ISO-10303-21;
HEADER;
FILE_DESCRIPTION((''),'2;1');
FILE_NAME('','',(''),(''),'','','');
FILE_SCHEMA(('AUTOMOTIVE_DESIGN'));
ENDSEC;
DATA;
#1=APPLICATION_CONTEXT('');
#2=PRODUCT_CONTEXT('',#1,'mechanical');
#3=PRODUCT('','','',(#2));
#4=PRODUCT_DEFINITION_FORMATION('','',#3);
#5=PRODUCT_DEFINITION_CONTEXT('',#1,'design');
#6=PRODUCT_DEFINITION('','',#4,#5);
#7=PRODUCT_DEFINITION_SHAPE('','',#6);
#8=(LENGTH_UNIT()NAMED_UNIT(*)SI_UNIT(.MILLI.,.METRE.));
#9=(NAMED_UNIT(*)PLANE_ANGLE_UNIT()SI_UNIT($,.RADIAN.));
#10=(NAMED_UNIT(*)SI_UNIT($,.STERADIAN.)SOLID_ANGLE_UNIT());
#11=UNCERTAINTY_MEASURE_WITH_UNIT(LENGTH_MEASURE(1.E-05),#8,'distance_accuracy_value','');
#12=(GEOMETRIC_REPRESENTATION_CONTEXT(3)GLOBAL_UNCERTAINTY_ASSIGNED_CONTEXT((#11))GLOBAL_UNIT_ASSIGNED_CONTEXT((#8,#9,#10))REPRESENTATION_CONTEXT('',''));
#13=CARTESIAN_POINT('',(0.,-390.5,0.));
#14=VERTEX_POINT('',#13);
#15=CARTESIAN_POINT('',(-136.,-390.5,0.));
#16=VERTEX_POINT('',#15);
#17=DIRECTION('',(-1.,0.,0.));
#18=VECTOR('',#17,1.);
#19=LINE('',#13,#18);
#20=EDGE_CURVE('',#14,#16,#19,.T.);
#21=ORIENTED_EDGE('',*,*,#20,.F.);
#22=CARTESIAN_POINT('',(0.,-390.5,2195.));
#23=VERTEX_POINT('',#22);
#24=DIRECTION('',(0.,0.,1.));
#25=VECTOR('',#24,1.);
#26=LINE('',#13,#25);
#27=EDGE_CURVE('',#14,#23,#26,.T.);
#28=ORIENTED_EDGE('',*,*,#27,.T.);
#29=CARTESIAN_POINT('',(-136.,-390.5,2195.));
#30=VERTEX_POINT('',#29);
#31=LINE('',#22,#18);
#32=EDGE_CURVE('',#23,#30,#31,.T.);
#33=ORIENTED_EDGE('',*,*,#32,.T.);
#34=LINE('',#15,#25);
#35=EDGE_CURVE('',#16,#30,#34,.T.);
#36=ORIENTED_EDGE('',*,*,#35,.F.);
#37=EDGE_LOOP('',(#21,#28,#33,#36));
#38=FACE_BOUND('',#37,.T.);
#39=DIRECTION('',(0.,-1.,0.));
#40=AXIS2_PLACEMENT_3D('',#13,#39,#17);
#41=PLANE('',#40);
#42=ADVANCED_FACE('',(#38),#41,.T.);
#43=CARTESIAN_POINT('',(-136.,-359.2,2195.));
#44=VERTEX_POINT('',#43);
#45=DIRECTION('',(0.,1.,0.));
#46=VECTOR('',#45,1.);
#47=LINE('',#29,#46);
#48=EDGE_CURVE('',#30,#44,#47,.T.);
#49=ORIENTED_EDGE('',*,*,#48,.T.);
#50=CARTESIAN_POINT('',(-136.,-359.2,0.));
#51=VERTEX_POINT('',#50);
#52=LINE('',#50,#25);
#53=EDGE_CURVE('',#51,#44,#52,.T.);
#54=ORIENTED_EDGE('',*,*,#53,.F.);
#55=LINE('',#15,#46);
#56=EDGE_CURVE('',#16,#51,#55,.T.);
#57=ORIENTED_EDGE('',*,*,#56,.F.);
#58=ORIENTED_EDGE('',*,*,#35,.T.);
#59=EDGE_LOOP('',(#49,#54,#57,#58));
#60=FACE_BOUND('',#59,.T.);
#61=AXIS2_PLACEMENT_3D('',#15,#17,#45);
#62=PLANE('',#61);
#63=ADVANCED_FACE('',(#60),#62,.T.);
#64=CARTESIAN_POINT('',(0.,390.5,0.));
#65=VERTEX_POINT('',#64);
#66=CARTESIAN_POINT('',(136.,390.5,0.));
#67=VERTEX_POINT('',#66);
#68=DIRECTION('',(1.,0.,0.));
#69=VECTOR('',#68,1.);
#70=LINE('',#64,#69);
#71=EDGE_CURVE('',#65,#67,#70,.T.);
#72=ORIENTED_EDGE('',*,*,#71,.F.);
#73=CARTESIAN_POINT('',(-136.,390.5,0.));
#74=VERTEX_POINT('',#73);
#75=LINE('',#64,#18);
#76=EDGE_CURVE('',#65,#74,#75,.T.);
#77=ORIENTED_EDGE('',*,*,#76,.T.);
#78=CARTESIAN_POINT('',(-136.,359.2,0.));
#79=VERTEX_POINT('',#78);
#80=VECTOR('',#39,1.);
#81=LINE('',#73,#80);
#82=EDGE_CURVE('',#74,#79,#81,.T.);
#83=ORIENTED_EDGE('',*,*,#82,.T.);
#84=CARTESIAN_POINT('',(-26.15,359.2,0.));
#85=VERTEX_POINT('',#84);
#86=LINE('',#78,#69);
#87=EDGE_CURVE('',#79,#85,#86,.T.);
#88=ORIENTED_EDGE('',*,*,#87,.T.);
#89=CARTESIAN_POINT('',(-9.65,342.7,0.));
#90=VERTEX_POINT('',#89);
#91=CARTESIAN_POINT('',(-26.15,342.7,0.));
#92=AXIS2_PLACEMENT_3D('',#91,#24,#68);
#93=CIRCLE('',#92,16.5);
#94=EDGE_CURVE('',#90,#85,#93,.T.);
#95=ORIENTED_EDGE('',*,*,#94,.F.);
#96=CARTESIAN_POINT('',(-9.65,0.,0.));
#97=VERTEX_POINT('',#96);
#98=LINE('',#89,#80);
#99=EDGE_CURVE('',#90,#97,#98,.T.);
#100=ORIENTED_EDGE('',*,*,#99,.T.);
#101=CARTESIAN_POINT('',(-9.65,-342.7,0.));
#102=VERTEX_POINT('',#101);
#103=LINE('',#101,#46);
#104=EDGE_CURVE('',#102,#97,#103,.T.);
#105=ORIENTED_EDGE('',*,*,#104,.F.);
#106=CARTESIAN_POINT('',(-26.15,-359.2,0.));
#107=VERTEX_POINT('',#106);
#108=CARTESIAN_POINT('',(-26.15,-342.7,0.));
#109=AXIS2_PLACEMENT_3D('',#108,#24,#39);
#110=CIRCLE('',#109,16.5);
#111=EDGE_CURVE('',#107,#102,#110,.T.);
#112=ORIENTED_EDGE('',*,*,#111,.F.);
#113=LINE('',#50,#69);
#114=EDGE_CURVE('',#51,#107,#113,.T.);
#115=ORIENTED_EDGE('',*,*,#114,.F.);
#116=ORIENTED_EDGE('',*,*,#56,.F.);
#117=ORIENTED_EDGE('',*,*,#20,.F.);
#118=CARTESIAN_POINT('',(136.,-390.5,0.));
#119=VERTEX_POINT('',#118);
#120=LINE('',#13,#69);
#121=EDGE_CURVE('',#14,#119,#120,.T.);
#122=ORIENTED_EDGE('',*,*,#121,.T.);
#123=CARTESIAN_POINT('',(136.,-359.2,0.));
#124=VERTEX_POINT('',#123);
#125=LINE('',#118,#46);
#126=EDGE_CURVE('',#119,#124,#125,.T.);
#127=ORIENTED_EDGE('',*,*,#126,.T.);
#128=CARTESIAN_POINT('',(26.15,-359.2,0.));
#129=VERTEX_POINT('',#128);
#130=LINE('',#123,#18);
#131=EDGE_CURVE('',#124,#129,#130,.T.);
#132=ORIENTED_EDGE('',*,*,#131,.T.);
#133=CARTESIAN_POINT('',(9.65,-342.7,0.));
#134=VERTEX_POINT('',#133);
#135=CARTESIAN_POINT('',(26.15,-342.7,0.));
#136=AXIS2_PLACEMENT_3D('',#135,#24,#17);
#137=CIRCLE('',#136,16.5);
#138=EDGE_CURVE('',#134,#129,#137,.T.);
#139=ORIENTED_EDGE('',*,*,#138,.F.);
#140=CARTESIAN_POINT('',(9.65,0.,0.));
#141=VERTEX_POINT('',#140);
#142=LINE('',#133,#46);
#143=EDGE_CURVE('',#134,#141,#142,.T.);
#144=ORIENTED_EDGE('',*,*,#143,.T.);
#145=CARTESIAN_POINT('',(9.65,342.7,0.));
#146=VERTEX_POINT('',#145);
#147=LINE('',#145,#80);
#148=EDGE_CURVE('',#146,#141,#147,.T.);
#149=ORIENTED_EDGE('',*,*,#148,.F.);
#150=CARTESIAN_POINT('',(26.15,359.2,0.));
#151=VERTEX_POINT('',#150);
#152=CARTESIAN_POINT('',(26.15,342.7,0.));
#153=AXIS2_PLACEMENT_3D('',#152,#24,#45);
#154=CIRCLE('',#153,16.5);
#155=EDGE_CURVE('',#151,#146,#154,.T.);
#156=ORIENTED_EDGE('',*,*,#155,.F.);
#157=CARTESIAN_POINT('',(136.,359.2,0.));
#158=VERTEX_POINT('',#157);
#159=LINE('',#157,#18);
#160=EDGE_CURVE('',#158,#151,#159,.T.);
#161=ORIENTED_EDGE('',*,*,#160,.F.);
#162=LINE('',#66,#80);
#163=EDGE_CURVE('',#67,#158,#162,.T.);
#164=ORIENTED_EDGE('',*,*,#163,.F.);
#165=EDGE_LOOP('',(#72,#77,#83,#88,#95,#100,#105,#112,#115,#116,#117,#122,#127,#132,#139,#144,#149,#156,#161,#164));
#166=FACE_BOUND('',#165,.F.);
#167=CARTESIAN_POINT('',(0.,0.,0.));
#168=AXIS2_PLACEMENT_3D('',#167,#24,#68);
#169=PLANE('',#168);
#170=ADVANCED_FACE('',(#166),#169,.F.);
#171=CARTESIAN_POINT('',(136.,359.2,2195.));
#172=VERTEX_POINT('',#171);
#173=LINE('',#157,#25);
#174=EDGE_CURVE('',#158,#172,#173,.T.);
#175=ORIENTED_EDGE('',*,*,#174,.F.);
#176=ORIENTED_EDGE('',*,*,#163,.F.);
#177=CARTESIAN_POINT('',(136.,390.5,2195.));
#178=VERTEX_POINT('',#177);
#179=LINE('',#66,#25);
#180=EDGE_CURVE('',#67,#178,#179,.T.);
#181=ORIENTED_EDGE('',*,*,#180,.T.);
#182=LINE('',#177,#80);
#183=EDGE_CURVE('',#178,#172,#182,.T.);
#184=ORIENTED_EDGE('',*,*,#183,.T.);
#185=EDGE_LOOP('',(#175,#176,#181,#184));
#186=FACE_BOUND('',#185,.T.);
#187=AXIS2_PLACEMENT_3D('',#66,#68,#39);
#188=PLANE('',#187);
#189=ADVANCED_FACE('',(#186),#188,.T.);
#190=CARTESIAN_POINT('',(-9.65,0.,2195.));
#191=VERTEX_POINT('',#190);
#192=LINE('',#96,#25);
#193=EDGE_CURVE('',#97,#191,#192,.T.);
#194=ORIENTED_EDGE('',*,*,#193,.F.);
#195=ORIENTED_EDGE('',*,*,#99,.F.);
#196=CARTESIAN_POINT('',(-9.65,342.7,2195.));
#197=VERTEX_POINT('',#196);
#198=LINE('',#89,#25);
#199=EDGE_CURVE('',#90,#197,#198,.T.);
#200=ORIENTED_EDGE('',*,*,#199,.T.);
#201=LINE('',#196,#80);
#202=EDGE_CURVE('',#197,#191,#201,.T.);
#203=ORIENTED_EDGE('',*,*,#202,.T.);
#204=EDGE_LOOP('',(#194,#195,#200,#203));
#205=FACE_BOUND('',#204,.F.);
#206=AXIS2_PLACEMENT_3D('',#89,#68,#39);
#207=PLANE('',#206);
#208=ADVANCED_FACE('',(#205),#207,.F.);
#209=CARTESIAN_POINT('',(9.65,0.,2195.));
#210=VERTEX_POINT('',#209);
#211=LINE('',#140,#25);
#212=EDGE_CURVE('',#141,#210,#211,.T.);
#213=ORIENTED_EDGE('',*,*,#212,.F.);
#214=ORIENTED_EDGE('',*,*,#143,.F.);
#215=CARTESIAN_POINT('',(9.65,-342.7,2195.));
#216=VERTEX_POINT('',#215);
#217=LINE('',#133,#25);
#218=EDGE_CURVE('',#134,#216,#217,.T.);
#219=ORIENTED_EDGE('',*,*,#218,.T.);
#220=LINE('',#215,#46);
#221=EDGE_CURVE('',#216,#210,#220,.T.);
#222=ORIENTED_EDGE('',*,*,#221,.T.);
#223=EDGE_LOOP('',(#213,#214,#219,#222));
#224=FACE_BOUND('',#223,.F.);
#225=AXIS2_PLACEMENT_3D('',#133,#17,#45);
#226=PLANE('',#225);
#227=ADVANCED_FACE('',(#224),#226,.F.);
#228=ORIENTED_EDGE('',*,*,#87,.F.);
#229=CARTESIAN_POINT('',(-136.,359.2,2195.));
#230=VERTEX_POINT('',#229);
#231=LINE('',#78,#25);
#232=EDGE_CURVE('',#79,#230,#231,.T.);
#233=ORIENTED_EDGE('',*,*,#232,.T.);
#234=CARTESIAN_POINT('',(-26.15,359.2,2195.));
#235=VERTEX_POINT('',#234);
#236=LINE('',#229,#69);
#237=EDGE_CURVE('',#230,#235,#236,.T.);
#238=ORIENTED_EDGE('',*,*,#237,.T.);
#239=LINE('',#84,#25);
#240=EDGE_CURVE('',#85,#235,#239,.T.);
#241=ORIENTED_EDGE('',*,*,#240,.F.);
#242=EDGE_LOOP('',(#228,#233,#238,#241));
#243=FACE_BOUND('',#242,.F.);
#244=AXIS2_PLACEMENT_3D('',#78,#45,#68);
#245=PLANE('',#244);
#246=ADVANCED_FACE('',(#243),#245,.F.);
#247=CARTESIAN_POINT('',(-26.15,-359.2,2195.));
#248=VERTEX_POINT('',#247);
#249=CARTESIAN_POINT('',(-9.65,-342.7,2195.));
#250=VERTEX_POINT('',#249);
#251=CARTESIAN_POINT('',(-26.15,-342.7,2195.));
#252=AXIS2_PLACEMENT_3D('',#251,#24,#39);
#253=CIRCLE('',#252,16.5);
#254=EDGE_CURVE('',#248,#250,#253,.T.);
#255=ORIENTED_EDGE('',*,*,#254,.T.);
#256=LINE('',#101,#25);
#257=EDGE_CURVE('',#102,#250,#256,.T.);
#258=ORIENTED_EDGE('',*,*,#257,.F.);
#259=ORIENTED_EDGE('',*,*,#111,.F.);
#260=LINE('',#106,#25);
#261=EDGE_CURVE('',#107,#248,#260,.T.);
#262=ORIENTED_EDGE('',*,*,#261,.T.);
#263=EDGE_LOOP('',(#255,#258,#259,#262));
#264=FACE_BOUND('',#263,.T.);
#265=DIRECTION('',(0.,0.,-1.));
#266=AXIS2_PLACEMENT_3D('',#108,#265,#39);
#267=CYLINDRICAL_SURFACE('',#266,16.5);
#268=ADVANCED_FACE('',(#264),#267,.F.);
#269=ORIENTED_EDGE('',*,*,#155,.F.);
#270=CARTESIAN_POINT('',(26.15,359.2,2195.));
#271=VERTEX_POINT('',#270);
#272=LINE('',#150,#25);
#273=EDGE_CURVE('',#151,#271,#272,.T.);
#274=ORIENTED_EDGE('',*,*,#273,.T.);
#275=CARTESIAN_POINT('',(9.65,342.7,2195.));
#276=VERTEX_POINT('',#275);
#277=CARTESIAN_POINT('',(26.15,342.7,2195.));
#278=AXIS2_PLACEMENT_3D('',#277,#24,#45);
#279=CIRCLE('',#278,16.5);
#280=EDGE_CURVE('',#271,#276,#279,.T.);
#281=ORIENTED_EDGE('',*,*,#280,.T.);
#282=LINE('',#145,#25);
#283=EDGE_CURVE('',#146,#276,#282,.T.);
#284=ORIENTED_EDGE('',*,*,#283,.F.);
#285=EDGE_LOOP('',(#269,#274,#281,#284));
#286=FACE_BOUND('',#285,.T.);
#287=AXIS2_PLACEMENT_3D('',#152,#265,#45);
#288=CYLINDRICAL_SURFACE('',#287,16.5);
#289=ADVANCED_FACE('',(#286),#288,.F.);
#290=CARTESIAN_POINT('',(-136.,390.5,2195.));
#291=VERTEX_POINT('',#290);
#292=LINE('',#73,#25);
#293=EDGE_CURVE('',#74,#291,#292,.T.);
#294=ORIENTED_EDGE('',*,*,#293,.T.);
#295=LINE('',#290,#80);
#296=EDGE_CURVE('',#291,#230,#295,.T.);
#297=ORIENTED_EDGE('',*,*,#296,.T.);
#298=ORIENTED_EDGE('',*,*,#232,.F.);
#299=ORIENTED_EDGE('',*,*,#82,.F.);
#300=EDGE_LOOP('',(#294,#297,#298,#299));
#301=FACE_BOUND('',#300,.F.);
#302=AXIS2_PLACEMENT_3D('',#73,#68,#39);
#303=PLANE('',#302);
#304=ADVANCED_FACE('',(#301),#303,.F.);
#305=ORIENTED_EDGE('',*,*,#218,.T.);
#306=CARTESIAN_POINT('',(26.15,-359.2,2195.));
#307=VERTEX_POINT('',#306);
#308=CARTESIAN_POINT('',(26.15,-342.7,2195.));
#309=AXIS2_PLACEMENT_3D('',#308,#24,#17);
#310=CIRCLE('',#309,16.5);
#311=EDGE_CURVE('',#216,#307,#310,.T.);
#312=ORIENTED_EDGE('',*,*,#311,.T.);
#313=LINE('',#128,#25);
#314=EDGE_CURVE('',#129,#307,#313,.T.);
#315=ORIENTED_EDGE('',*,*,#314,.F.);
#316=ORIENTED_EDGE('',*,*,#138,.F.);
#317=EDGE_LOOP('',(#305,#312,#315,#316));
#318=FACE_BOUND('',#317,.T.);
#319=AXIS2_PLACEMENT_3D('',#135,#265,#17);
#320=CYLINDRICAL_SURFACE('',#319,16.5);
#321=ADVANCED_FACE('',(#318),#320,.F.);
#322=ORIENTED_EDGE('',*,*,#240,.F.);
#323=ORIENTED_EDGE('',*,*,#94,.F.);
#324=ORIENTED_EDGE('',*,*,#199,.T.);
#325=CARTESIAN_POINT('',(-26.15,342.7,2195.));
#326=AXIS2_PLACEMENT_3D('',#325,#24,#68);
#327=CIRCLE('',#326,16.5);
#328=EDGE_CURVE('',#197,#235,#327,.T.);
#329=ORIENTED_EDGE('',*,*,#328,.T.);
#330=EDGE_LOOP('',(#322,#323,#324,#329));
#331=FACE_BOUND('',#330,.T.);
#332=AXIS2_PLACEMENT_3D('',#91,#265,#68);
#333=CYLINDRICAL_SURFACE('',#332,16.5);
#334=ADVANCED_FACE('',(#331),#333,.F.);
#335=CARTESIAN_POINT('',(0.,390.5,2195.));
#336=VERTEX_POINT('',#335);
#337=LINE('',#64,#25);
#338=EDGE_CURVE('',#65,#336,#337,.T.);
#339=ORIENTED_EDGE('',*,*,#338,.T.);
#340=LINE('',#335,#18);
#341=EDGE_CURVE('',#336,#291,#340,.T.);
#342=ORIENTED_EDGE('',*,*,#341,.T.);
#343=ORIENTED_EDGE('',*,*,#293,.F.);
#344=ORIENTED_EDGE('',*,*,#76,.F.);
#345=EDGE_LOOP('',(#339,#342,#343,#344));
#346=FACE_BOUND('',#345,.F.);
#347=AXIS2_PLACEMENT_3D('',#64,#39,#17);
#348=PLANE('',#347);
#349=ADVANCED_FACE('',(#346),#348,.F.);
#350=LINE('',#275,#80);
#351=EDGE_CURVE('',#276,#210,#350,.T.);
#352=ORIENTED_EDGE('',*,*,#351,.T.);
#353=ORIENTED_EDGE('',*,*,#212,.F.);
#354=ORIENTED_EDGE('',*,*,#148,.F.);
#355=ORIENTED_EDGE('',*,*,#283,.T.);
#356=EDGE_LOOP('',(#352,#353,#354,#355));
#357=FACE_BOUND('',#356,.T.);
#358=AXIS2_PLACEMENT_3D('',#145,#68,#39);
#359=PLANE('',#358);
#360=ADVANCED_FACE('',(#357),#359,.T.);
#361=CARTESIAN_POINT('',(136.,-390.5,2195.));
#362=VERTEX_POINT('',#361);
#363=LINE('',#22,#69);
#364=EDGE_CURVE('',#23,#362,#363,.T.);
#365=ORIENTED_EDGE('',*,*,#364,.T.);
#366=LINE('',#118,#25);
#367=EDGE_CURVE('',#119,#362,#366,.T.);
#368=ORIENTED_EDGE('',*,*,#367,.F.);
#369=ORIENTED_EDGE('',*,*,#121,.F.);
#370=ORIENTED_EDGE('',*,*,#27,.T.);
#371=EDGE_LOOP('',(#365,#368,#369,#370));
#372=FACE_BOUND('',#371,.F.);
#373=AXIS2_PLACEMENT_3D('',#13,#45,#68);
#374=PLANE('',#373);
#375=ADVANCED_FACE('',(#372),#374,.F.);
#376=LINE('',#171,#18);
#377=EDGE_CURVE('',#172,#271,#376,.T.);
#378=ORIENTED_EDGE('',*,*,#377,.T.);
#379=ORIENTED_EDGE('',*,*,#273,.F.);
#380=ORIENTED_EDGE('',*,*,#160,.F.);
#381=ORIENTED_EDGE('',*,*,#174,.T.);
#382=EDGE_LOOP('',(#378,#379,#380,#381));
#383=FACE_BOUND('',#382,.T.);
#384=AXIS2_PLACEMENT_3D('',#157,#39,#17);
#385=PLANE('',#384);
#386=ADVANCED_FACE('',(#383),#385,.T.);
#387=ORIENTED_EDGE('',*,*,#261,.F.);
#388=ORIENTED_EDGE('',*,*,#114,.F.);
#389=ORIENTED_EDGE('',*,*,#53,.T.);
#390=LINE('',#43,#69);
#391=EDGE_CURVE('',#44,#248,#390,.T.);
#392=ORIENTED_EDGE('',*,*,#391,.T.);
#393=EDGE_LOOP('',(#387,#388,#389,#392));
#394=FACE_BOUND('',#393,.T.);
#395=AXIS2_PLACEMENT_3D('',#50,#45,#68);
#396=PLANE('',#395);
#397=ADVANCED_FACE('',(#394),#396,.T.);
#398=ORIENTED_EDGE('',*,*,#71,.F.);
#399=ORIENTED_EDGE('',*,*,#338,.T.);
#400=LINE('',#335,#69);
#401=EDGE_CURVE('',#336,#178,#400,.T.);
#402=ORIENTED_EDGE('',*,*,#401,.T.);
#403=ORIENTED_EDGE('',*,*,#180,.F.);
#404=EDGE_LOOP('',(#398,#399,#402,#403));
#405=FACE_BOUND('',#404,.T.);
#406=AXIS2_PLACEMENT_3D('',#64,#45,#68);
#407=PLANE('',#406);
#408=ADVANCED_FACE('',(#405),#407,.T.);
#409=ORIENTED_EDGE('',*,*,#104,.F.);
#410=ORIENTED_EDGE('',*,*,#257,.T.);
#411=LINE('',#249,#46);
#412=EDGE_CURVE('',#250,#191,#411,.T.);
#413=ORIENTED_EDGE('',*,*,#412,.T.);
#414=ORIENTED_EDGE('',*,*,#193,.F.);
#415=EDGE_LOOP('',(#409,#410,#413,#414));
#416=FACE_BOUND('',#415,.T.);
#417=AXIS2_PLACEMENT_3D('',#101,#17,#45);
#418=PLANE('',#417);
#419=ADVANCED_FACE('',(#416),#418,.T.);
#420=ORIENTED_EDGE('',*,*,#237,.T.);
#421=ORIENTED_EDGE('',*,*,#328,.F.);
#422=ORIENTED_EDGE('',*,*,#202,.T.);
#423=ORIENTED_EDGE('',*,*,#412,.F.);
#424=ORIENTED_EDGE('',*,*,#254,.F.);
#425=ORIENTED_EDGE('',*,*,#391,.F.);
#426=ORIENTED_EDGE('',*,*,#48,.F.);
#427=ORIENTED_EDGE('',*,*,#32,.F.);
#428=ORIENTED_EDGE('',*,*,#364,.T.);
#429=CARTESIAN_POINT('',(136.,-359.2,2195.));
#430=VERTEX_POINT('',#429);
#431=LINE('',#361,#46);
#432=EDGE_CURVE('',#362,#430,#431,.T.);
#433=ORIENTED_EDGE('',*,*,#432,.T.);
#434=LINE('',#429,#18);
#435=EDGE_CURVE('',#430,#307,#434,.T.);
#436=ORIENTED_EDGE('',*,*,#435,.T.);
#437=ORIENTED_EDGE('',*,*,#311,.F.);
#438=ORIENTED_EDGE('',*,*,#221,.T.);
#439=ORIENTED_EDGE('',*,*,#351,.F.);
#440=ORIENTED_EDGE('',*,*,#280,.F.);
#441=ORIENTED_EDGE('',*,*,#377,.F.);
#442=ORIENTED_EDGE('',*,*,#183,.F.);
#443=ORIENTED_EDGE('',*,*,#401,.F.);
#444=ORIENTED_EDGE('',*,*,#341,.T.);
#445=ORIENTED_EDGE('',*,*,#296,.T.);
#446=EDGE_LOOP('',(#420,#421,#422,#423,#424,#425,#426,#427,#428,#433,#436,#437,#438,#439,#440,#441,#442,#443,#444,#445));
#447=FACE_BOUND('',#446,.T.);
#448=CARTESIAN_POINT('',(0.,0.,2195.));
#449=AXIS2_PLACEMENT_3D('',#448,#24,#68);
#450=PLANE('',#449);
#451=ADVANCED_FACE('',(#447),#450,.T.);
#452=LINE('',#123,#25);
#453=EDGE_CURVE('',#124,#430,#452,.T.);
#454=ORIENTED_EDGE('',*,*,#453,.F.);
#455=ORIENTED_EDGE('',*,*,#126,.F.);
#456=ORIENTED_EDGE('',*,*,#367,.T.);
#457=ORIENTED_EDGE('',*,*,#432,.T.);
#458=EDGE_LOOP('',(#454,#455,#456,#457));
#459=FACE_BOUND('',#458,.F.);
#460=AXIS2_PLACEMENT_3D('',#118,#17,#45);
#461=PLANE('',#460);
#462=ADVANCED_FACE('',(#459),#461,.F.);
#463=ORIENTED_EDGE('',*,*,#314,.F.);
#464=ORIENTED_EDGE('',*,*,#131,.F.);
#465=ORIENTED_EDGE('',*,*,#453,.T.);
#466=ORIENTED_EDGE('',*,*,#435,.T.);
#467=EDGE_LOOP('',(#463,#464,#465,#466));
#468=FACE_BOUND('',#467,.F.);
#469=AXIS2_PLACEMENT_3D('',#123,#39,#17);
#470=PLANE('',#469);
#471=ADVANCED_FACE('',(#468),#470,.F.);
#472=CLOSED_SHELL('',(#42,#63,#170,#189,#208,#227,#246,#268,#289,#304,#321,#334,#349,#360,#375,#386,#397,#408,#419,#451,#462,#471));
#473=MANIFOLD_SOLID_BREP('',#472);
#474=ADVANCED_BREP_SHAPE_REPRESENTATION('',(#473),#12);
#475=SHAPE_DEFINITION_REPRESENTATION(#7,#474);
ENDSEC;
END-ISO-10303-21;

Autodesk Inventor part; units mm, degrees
ref_plane "YZ Plane" through (0, 0, 0) normal (1, 0, 0) x (0, 1, 0)
ref_plane "Start plane" through (0, 0, 0) normal (0, 0, 1) x (1, 0, 0)
ref_plane "End plane" through (0, 0, 2195) normal (0, 0, 1) x (1, 0, 0)
sketch "Sketch" plane through (0, 0, 0) normal (0, 0, 1) x (1, 0, 0)
  line L0 (-136, -390.5) -> (-136, -359.2)
  line L1 (-136, -359.2) -> (-26.15, -359.2)
  line L2 (-9.65, -342.7) -> (-9.65, 0)
  line L3 (-9.65, 0) -> (0, 0) construction
  line L4 (0, 0) -> (0, -390.5) construction
  line L5 (0, -390.5) -> (-136, -390.5)
  line L6 (-60, 0) -> (80, 0) construction
  line L7 (0, -60) -> (0, 80) construction
  line L8 (136, -390.5) -> (136, -359.2)
  line L9 (136, -359.2) -> (26.15, -359.2)
  line L10 (9.65, -342.7) -> (9.65, 0)
  line L11 (9.65, 0) -> (0, 0) construction
  line L12 (0, -390.5) -> (136, -390.5)
  line L13 (-136, 390.5) -> (-136, 359.2)
  line L14 (-136, 359.2) -> (-26.15, 359.2)
  line L15 (-9.65, 342.7) -> (-9.65, 0)
  line L16 (0, 390.5) -> (-136, 390.5)
  line L17 (136, 390.5) -> (136, 359.2)
  line L18 (136, 359.2) -> (26.15, 359.2)
  line L19 (0, 390.5) -> (136, 390.5)
  line L20 (9.65, 342.7) -> (9.65, 0)
  arc A0 (-9.65, 342.7) -> (-26.15, 359.2) centre (-26.15, 342.7) ccw
  arc A1 (26.15, 359.2) -> (9.65, 342.7) centre (26.15, 342.7) ccw
  arc A2 (9.65, -342.7) -> (26.15, -359.2) centre (26.15, -342.7) ccw
  arc A3 (-26.15, -359.2) -> (-9.65, -342.7) centre (-26.15, -342.7) ccw
  line L21 (0, 108) -> (0, -88) construction
  line L22 (-88, 0) -> (108, 0) construction
  point P0 (-9.65, -359.2)
  point P1 (9.65, -359.2)
  point P2 (-9.65, 359.2)
  point P3 (9.65, 359.2)
  dimension "d1" = 390.5
  dimension "d2" = 31.3
  dimension "d3" = 136
  dimension "d4" = 9.65
  dimension "d10" = 16.5
extrude "Body" add sketch "Sketch" along normal up to surface (2195 mm away) from surface at 0
sketch "Sketch4" plane through (0, 0, 0) normal (0, 0, 1) x (1, 0, 0)
  line L0 (0, 0) -> (10, 0)
ref_plane "Work Plane3" through (0, 0, 0) normal (0, -1, 0) x (1, 0, 0)
sketch "Sketch5" plane through (0, 0, 0) normal (0, -1, 0) x (1, 0, 0)
  line L0 (-2, 0) -> (12, 0) projected
  line L1 (-2, 2195) -> (12, 2195) projected
  dimension "d14" = 2195
equation "\"d1\" = 0.5 * G_H"
equation "\"d2\" = G_T1"
equation "\"d3\" = 0.5 * G_W"
equation "\"d4\" = 0.5 * G_T"
equation "\"d10\" = G_IR"
equation "\"d5\" = G_L"
equation "\"G_W\" = 272"
equation "\"G_H\" = 781"
equation "\"G_T\" = 19.3"
equation "\"G_T1\" = 31.3"
equation "\"G_IR\" = 16.5"
equation "\"G_L\" = d14"
equation "\"G_OFFSET_START\" = 0"
equation "\"G_OFFSET_END\" = 0"
equation "\"d12\" = G_OFFSET_END + B_L"
equation "\"B_L\" = 2195"
properties part number "AS 3679-1990 - 760 UB - 244 - 2195" material "Steel, Mild"
